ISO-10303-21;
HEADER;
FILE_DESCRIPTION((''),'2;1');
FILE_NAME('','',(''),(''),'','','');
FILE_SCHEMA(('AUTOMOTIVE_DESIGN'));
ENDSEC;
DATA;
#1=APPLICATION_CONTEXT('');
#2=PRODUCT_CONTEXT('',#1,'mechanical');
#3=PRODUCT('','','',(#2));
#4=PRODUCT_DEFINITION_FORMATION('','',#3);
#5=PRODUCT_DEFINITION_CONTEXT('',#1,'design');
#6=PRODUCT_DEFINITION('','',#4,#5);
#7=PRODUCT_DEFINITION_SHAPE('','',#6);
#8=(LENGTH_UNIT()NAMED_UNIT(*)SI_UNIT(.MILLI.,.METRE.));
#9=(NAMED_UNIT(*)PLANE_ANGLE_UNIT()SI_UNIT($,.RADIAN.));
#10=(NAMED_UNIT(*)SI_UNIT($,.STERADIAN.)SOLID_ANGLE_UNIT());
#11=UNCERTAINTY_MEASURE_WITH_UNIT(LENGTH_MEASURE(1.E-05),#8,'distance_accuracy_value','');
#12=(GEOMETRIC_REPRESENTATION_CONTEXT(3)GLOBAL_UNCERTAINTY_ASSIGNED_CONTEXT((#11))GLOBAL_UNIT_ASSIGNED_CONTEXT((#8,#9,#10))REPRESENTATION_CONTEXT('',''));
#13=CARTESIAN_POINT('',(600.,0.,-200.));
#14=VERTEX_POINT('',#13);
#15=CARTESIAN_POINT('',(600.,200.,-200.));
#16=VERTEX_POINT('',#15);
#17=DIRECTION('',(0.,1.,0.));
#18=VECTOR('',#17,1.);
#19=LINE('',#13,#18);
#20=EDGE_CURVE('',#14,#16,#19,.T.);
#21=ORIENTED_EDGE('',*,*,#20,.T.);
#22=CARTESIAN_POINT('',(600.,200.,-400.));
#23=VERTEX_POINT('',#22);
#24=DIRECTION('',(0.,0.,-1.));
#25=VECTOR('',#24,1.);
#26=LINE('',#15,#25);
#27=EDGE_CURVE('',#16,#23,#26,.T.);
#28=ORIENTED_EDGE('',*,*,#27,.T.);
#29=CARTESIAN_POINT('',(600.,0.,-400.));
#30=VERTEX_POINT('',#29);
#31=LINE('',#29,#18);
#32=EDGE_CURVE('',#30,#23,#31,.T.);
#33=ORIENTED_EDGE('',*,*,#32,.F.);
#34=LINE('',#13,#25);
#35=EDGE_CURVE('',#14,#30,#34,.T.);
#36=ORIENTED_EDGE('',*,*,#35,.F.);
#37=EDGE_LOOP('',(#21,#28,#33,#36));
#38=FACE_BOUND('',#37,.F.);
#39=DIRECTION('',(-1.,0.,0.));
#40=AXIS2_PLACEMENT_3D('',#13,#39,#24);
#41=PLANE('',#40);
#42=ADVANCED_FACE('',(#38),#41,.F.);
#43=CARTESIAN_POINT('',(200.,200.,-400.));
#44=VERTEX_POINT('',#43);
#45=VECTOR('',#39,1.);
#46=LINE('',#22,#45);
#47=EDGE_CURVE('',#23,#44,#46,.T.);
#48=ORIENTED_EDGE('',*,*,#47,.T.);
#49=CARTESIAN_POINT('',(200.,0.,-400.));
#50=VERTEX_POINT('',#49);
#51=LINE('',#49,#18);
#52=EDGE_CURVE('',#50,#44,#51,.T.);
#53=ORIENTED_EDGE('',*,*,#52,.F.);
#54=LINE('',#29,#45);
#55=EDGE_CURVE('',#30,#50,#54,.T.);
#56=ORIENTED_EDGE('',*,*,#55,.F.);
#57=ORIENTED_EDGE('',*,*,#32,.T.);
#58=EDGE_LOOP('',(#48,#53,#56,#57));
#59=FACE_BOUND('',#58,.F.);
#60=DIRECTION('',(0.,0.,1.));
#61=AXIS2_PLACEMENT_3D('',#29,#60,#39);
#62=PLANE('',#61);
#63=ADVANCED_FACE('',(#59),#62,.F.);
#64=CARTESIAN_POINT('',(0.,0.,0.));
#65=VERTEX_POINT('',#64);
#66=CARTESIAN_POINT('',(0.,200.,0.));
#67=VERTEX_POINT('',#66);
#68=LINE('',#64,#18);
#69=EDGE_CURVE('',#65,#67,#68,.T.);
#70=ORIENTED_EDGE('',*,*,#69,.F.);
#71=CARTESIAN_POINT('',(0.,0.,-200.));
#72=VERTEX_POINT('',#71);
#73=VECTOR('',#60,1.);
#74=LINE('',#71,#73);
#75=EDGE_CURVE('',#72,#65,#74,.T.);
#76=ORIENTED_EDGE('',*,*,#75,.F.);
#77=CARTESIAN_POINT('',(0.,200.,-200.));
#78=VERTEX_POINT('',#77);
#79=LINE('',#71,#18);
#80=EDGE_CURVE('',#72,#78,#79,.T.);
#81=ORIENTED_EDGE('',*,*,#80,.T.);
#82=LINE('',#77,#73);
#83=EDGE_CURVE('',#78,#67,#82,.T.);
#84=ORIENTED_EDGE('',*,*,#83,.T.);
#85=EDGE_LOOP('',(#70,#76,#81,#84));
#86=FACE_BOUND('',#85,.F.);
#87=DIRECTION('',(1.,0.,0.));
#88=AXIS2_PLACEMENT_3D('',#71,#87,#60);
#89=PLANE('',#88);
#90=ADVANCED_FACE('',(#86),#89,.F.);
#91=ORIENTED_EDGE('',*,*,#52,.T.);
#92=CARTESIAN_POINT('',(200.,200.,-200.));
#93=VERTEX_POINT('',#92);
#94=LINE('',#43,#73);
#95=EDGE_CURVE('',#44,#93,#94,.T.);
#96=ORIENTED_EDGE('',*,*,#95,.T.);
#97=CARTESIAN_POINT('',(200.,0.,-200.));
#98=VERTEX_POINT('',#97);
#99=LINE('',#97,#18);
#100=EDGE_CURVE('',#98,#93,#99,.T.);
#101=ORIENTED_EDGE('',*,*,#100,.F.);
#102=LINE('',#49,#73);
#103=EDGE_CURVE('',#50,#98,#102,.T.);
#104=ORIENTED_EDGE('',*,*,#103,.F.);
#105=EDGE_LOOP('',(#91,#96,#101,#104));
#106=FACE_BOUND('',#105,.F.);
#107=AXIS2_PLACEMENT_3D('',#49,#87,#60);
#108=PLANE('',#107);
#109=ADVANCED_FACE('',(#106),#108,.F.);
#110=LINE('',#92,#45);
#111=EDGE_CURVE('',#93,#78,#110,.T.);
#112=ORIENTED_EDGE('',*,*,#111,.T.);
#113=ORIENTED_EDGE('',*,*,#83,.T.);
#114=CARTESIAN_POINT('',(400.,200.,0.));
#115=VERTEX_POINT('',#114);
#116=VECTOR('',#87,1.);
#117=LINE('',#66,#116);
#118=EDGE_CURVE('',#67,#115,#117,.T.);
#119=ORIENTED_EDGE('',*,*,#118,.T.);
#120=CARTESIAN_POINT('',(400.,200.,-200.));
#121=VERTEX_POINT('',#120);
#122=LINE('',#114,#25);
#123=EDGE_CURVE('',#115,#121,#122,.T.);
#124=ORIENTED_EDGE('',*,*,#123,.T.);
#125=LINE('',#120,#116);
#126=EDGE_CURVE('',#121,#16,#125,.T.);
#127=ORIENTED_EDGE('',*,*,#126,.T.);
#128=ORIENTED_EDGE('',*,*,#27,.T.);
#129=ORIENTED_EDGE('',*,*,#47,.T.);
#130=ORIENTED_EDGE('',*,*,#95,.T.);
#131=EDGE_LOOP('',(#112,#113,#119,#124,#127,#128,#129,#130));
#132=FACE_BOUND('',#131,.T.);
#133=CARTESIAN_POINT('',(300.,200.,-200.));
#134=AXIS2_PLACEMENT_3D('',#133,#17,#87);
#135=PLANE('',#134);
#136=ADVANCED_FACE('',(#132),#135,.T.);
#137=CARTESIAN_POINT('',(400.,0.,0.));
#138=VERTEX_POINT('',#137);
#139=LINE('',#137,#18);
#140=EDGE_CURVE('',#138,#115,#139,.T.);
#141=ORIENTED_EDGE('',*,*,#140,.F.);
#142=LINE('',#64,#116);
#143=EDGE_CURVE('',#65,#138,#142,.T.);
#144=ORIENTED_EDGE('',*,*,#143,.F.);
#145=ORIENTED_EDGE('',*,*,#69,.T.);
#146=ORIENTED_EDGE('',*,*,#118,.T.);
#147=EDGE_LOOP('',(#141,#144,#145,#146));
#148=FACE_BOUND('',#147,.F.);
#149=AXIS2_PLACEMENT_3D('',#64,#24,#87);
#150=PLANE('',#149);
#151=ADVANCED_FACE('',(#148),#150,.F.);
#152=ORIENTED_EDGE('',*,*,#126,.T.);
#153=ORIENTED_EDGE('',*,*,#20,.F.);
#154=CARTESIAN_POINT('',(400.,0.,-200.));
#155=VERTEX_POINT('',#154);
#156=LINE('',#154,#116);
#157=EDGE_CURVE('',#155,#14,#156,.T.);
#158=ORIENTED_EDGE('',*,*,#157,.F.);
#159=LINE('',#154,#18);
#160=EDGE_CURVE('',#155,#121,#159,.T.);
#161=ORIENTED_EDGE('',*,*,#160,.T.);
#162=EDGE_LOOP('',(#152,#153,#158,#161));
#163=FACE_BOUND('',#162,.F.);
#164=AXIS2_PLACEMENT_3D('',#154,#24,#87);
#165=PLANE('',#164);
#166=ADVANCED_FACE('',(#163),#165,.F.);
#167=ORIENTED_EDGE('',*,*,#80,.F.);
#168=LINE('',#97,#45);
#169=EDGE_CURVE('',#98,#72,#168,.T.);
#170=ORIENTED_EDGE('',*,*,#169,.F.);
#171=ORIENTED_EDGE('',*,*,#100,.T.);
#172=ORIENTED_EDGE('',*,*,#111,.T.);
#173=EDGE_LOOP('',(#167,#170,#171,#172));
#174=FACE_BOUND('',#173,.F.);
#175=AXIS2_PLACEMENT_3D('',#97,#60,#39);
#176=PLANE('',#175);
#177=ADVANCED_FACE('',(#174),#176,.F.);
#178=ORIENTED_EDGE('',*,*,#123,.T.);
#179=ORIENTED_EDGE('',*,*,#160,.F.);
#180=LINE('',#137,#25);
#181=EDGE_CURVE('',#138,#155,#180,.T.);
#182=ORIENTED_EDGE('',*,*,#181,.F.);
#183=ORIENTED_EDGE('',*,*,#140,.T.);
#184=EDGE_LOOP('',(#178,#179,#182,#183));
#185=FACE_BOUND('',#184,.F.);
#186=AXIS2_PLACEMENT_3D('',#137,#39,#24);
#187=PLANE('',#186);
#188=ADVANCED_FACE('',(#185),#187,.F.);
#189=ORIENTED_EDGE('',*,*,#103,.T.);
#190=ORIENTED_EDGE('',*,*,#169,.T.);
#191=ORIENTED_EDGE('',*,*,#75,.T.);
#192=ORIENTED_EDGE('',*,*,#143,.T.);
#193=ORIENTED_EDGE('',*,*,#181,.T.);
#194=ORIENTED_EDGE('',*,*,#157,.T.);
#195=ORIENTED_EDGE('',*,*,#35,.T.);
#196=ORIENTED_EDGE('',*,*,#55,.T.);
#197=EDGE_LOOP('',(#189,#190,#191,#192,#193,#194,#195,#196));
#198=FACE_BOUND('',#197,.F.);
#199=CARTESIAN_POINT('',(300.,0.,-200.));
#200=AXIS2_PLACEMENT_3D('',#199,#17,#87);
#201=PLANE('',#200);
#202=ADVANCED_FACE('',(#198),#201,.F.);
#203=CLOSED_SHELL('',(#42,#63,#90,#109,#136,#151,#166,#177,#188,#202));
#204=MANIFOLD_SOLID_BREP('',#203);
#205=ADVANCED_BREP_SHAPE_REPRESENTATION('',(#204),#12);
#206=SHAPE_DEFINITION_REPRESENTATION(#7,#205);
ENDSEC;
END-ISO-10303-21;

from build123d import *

# Parameters (mm, degrees)
SALIENTE_EXTRUIR1_DEPTH = 200


with BuildPart() as part:
    # Croquis1 → Saliente-Extruir1 (new body)
    with BuildSketch(Plane(origin=(0, 0, 0), x_dir=(1, 0, 0), z_dir=(0, 1, 0))):
        Polygon((0, 0), (400, 0), (400, 200), (600, 200), (600, 400), (200, 400), (200, 200), (0, 200), align=None)
    extrude(amount=SALIENTE_EXTRUIR1_DEPTH)


solid = part.part
